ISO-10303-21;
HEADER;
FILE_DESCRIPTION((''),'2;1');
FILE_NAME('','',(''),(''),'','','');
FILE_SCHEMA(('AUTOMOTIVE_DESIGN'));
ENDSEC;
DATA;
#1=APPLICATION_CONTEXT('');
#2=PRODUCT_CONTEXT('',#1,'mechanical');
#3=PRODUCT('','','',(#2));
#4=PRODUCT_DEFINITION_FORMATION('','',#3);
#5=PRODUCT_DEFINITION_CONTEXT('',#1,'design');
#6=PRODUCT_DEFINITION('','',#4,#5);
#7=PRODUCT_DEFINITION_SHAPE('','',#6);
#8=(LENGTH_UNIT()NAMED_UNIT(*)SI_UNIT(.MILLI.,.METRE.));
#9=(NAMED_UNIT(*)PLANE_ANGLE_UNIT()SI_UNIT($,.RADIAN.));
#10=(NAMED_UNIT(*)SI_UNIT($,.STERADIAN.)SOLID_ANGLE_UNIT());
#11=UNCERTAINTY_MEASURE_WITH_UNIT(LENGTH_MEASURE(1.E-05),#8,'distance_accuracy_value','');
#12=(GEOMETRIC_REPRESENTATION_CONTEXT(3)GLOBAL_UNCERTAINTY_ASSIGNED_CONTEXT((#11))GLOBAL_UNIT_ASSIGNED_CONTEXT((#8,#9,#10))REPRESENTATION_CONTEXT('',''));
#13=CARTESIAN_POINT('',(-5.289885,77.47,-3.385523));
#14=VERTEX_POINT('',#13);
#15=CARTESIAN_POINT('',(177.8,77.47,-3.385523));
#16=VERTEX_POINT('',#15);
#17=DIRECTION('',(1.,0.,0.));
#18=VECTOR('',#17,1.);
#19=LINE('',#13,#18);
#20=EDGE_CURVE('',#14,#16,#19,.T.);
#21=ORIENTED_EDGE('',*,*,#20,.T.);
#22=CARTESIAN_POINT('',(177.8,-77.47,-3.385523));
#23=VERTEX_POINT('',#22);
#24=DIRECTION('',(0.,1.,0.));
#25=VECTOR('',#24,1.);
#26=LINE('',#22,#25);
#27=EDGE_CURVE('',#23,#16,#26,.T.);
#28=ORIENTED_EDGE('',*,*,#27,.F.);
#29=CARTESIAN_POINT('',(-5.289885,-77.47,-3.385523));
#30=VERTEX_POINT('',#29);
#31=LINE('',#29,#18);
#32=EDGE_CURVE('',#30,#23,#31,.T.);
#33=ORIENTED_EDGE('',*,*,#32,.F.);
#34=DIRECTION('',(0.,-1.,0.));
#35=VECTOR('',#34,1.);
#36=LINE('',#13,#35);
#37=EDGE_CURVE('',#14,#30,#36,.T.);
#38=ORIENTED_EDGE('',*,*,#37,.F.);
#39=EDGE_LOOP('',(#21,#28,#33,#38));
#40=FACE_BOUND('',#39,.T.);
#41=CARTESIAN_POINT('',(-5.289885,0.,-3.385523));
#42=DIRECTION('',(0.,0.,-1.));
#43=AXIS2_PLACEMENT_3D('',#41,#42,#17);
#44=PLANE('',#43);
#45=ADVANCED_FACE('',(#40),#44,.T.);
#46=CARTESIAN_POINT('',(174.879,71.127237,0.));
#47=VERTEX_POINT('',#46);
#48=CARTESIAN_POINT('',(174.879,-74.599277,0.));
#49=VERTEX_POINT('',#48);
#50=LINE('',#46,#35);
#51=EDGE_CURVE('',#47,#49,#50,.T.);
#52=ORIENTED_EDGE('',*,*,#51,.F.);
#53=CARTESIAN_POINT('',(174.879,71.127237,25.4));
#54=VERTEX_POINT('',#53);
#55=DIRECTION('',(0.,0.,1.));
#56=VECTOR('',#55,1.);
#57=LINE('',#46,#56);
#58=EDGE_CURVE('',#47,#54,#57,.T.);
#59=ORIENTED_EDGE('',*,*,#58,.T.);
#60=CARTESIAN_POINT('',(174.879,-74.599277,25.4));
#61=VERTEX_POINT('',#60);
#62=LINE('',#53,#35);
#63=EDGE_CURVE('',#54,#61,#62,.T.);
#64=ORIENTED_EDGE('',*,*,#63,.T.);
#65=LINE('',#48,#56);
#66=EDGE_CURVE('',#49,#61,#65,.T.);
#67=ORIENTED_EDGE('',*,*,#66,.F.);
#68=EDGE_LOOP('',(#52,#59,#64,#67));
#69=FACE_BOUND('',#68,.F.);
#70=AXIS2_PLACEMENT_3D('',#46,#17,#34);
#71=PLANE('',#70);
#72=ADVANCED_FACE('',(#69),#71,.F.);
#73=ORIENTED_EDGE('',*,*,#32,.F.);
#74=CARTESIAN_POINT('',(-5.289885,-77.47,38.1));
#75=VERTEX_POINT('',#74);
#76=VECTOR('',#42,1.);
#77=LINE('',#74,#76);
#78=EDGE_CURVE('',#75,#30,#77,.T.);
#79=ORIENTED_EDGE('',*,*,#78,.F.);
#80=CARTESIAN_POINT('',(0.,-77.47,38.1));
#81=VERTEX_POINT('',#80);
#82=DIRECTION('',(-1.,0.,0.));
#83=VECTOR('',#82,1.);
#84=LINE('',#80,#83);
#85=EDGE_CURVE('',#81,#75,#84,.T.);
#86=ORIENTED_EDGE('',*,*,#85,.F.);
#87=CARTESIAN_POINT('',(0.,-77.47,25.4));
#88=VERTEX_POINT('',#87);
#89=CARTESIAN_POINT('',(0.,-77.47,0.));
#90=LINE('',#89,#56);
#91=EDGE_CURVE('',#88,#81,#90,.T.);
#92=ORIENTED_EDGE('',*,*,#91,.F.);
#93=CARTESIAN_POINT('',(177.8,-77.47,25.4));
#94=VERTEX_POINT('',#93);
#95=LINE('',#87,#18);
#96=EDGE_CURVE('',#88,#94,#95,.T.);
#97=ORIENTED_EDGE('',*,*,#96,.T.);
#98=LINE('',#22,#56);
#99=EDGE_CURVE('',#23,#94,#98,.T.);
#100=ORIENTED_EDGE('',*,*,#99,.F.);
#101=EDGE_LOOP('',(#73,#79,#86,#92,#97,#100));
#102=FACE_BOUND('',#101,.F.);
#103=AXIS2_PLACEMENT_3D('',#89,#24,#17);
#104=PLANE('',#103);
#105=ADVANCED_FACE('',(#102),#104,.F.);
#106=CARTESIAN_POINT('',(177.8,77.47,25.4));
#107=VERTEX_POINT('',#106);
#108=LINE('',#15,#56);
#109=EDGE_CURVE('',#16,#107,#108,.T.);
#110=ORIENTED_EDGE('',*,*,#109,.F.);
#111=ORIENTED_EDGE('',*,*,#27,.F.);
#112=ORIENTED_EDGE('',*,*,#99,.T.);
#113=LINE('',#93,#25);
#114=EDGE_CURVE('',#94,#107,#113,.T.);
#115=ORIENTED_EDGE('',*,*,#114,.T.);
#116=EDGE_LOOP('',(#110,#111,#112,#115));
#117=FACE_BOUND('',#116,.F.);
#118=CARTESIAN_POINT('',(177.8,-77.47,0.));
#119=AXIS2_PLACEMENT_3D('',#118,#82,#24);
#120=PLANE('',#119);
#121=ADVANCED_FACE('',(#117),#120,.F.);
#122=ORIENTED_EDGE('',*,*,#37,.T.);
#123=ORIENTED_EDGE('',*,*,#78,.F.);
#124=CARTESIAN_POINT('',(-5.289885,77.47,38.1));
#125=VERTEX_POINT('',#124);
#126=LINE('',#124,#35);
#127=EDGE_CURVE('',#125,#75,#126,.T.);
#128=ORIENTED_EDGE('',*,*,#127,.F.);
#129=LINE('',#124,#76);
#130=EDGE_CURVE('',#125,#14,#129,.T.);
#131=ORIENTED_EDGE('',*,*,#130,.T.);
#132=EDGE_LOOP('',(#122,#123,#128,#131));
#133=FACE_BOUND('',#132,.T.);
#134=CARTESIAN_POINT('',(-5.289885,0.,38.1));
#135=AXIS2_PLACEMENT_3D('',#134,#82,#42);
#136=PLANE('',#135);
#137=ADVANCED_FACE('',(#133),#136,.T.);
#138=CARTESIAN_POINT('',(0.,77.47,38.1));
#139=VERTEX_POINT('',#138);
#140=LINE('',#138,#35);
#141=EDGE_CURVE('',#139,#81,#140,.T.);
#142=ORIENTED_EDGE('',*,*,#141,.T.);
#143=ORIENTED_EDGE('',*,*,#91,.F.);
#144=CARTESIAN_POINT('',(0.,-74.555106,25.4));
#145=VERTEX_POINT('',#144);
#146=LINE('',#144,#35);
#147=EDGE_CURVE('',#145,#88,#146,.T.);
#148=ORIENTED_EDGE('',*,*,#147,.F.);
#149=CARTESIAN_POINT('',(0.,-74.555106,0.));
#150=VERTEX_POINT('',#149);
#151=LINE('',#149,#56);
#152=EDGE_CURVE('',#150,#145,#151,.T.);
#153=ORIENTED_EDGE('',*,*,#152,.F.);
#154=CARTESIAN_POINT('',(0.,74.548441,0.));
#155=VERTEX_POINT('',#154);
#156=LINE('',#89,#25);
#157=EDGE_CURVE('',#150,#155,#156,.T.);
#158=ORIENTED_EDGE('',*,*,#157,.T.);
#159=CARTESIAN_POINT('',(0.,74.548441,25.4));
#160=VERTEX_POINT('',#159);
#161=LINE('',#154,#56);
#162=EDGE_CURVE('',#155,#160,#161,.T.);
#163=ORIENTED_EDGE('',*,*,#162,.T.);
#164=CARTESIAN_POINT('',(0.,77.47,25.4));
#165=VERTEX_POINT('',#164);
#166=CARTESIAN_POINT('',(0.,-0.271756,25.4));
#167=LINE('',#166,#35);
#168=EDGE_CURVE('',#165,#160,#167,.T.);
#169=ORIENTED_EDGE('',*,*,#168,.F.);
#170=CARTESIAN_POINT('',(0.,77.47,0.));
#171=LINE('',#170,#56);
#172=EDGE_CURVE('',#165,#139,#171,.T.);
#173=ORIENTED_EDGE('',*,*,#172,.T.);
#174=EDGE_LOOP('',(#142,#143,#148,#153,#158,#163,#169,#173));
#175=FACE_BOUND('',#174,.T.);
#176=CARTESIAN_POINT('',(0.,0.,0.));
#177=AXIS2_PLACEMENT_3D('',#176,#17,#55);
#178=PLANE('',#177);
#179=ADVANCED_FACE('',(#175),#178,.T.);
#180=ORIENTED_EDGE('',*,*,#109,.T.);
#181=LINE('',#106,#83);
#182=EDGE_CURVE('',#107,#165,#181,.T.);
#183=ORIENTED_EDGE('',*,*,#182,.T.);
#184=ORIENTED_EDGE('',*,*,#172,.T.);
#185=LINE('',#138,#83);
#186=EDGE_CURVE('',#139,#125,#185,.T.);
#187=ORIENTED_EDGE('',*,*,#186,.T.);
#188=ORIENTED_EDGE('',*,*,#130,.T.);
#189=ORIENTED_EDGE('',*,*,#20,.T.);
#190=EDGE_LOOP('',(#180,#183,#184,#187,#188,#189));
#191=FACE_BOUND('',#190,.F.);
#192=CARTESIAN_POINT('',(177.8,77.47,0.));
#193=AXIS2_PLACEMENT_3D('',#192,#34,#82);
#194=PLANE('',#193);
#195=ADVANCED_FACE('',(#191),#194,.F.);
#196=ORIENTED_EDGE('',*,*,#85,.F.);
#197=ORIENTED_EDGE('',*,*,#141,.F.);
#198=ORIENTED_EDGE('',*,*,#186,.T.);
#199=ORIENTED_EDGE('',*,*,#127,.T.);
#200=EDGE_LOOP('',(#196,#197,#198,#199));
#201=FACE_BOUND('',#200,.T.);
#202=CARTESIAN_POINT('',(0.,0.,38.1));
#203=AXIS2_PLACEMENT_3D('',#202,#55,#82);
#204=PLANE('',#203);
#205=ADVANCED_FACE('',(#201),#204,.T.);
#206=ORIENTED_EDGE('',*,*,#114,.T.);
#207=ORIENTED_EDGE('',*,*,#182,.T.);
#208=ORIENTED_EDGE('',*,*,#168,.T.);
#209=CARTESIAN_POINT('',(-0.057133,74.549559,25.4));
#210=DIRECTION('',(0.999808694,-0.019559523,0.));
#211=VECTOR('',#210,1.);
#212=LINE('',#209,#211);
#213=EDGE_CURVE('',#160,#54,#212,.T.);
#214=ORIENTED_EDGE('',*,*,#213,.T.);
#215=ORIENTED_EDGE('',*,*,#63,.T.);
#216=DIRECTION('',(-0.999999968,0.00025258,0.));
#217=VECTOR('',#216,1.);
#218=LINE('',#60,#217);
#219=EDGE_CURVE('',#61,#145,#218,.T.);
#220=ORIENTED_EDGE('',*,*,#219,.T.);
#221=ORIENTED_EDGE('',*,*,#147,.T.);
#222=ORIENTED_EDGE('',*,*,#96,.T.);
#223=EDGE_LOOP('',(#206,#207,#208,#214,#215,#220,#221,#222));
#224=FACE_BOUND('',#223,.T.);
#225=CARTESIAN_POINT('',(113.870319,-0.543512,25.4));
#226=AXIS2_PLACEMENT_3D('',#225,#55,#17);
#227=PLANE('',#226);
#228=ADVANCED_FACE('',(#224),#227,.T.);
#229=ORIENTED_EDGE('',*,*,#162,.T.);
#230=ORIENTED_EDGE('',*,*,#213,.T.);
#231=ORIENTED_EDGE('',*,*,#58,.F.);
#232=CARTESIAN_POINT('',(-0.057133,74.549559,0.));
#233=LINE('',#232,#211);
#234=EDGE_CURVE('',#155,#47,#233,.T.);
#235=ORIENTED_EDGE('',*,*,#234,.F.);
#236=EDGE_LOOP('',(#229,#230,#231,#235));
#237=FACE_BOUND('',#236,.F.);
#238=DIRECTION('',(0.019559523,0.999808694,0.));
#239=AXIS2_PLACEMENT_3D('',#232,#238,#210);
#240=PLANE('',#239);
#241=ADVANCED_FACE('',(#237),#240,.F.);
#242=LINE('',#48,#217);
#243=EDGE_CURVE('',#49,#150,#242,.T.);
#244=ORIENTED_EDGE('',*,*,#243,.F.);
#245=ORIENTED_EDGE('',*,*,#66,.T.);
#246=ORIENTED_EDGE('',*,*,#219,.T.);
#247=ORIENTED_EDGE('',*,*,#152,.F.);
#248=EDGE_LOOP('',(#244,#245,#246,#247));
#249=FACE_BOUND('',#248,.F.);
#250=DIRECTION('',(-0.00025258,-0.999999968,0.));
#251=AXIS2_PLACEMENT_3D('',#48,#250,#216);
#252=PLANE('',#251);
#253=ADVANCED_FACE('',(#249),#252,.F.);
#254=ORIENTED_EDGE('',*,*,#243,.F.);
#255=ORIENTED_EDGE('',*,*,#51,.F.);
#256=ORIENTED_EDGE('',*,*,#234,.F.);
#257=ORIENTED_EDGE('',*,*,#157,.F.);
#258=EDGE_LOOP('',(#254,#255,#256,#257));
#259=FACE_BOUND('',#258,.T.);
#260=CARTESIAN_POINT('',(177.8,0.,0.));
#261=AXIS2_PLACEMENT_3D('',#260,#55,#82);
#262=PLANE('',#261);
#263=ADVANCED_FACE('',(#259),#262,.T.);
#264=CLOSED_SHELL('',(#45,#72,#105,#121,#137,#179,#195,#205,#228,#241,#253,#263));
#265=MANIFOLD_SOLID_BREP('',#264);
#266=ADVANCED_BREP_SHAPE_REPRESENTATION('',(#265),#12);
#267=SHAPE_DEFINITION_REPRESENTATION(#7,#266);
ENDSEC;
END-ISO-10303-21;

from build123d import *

# Parameters (mm, degrees)
F1_DEPTH = 77.47
F4_DEPTH = 25.4


with BuildPart() as f1:
    # F0 (on Front) → F1 (new body, symmetric)
    with BuildSketch(Plane.XZ):
        Polygon((0, 0), (0, 38.1), (-5.289885, 38.1), (-5.289885, -3.385523), (177.8, -3.385523), (177.8, 0), align=None)
    extrude(amount=F1_DEPTH, both=True)

    # F3 (on face) → F4 (join)
    with BuildSketch(Plane.XY):
        Polygon((0, -74.555106), (0, -77.47), (177.8, -77.47), (177.8, 77.47), (0, 77.47), (-0.057133, 74.549559), (174.879, 71.127237), (174.879, -74.599277), align=None)
    extrude(amount=F4_DEPTH)


solid = f1.part
